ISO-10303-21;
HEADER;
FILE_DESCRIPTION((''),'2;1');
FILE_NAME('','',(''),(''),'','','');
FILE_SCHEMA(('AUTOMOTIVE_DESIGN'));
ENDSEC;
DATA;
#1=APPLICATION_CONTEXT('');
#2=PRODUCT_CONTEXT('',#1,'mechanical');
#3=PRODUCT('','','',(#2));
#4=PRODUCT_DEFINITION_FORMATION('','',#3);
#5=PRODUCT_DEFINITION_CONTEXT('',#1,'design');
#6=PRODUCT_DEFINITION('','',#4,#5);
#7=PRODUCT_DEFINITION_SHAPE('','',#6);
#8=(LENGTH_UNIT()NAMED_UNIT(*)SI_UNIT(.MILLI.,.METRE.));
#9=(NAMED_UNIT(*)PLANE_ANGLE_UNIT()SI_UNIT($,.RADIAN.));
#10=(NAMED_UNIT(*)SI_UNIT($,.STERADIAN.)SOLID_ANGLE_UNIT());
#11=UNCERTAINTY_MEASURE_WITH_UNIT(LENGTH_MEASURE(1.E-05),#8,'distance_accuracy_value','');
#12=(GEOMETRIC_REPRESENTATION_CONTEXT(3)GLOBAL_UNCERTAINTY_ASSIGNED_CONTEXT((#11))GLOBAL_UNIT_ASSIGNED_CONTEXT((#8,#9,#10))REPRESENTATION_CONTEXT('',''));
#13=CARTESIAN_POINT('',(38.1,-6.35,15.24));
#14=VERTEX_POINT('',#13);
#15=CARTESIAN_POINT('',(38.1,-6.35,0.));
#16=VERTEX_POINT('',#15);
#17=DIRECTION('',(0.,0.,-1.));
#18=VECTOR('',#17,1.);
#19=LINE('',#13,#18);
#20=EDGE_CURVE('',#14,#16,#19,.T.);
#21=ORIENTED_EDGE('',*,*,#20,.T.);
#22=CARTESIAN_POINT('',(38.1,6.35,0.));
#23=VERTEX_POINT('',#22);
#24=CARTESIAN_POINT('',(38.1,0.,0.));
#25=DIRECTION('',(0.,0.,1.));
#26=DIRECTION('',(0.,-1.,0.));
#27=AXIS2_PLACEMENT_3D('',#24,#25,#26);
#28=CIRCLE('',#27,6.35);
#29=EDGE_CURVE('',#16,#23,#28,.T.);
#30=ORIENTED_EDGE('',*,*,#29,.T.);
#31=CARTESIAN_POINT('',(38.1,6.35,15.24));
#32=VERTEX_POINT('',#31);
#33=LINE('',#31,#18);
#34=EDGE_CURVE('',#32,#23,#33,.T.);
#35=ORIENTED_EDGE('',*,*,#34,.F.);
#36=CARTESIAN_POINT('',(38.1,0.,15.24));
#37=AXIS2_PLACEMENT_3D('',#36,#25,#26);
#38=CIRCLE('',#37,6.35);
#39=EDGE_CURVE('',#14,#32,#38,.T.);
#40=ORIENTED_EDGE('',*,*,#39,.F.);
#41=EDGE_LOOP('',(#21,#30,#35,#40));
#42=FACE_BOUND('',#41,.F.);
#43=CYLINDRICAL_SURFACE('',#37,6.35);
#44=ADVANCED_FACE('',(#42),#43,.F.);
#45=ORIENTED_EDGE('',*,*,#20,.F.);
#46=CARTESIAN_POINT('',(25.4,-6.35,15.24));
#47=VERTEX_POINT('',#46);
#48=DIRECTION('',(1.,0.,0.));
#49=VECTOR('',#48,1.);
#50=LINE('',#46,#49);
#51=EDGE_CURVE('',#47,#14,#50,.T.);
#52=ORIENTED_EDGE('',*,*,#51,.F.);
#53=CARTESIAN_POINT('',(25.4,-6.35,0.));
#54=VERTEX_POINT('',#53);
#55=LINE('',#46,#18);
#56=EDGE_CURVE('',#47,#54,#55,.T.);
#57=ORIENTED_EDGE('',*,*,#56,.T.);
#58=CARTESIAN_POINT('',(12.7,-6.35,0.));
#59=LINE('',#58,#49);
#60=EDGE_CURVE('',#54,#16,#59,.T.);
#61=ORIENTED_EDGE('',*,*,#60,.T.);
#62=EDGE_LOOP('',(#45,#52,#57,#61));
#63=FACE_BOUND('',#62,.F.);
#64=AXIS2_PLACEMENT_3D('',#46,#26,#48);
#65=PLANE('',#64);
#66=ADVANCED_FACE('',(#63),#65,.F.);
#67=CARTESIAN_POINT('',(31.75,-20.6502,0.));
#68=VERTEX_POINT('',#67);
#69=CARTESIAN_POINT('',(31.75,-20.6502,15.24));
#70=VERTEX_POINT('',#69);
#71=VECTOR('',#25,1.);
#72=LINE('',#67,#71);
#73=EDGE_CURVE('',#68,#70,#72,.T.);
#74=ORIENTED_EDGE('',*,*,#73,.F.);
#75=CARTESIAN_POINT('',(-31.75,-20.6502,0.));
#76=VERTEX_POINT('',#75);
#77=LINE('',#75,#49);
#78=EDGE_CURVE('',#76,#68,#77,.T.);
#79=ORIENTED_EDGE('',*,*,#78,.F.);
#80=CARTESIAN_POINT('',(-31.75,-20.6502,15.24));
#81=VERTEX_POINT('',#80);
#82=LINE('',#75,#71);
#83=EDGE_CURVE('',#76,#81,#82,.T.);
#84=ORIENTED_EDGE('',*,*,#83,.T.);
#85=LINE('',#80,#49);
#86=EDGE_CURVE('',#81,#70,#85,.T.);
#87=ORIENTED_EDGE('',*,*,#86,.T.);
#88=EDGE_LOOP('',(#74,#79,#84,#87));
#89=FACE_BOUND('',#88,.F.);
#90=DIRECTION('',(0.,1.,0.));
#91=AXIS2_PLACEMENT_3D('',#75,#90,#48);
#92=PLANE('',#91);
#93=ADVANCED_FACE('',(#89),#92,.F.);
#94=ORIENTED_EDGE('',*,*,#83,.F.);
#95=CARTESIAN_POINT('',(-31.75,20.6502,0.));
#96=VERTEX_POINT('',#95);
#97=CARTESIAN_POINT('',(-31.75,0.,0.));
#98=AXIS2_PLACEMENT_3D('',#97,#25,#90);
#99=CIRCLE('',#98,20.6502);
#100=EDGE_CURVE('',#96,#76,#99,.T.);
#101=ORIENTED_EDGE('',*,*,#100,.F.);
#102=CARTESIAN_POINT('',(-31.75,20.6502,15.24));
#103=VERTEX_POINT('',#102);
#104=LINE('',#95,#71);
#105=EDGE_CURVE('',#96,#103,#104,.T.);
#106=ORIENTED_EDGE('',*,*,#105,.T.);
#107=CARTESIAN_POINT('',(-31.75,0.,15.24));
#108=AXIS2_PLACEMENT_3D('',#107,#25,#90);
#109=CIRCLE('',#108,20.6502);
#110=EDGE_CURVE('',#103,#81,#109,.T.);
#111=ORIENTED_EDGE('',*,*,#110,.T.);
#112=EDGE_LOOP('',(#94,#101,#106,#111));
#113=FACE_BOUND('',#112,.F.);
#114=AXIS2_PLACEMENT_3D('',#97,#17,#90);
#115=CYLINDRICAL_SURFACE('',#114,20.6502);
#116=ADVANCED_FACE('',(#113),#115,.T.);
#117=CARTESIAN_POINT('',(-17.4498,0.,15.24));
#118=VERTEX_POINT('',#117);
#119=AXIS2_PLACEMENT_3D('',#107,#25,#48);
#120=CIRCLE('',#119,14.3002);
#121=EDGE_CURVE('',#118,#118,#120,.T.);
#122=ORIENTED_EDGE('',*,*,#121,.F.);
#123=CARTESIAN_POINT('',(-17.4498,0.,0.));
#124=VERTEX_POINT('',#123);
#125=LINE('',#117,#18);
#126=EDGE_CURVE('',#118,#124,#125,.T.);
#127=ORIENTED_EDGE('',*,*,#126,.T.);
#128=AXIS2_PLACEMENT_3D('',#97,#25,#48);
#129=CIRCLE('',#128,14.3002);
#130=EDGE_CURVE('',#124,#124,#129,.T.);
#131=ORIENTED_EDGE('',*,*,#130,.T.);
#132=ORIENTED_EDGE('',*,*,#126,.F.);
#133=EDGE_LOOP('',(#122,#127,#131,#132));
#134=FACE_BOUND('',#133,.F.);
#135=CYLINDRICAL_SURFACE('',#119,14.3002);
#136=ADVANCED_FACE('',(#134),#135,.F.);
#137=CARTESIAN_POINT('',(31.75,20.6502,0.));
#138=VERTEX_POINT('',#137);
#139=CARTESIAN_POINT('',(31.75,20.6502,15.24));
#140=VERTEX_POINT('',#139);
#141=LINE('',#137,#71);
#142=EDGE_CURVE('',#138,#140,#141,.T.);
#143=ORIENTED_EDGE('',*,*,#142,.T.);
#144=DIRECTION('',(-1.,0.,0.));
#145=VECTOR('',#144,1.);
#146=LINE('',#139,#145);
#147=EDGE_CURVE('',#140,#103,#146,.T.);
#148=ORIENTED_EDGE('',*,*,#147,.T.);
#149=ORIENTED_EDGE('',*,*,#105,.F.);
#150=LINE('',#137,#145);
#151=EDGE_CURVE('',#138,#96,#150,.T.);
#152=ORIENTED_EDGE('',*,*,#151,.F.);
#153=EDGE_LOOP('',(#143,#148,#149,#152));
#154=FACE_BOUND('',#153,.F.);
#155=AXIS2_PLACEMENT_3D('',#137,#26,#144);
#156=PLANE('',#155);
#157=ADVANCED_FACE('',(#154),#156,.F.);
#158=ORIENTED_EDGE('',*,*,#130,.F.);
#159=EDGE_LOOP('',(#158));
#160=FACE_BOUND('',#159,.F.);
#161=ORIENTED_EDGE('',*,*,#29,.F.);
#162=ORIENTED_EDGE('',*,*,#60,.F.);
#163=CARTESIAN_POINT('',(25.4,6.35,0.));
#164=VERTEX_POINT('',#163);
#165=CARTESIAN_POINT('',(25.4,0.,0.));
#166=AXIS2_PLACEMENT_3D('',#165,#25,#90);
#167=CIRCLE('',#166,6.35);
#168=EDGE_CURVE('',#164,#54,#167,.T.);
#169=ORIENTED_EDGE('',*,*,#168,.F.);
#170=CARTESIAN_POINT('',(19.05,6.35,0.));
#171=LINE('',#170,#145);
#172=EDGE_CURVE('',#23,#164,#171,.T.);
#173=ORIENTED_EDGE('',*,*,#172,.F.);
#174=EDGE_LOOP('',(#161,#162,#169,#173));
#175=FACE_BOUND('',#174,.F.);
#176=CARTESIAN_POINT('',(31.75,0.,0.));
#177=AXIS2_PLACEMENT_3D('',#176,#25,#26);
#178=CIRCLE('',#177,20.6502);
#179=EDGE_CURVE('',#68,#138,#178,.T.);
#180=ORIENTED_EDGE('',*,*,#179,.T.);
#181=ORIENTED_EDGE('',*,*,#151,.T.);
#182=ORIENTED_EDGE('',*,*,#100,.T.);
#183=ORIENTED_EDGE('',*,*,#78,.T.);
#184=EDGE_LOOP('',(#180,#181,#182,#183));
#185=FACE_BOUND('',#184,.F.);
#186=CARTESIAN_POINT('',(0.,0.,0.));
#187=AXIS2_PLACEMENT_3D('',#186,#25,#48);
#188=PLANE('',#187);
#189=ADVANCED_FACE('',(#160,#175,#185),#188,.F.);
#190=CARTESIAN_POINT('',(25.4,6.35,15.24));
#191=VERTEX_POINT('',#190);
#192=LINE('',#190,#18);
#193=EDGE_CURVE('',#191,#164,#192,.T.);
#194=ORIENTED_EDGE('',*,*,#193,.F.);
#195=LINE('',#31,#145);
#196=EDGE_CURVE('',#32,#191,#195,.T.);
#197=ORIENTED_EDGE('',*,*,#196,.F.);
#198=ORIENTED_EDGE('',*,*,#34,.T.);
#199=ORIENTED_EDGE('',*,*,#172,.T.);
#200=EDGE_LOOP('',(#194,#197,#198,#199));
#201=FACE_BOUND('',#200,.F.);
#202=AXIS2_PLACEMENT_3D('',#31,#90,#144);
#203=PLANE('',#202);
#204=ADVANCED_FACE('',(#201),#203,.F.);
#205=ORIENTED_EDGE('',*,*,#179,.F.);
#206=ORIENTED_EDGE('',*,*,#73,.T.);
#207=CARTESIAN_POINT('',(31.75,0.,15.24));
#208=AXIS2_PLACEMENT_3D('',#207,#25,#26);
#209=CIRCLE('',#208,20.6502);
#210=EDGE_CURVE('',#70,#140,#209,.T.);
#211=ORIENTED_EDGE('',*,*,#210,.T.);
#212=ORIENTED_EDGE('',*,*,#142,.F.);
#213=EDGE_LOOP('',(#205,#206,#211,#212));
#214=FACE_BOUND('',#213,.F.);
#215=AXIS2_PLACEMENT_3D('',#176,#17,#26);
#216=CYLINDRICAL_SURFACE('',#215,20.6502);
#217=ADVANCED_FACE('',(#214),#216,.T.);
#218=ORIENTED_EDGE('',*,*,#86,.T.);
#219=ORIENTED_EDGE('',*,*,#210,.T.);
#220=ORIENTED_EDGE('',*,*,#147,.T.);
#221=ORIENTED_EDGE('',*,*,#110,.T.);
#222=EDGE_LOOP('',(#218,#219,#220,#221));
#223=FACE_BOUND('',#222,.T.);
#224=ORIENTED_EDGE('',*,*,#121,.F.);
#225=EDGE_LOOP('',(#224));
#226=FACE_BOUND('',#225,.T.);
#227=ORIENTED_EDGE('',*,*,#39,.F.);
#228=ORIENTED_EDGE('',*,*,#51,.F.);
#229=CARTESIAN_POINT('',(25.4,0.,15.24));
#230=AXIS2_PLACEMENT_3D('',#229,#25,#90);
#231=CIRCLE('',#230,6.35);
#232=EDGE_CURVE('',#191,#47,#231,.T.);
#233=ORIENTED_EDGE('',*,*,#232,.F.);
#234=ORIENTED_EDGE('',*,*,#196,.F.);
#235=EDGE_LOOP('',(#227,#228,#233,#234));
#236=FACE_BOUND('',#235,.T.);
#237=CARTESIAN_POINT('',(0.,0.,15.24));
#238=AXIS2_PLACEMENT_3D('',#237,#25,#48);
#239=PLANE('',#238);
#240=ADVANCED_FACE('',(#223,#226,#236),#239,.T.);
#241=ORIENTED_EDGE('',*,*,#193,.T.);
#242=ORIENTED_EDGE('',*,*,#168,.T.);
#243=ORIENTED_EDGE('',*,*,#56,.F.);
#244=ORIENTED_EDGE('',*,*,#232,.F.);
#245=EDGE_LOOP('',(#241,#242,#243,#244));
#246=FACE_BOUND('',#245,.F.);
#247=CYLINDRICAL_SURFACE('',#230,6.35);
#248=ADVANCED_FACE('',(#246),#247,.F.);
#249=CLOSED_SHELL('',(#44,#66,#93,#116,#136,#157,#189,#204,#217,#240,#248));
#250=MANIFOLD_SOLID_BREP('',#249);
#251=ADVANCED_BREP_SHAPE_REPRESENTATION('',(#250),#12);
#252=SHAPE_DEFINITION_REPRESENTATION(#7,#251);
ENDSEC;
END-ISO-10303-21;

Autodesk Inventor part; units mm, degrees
ref_plane "YZ Plane" through (0, 0, 0) normal (1, 0, 0) x (0, 1, 0)
ref_plane "XZ Plane" through (0, 0, 0) normal (0, 1, 0) x (-1, 0, 0)
ref_plane "XY Plane" through (0, 0, 0) normal (0, 0, 1) x (1, 0, 0)
sketch "Sketch1" plane through (0, 0, 0) normal (0, 0, 1) x (1, 0, 0)
  line L0 (31.75, 0) -> (-31.75, 0) construction
  line L1 (31.75, 20.6502) -> (-31.75, 20.6502)
  line L2 (-31.75, -20.6502) -> (31.75, -20.6502)
  arc A0 (31.75, -20.6502) -> (31.75, 20.6502) centre (31.75, 0) ccw
  arc A1 (-31.75, 20.6502) -> (-31.75, -20.6502) centre (-31.75, 0) ccw
  point P0 (0, 0)
  dimension "d0" = 20.6502
  dimension "d1" = 63.5
extrude "Extrusion1" add sketch "Sketch1" along normal blind 15.24
sketch "Sketch2" plane through (0, 0, 15.24) normal (0, 0, 1) x (1, 0, 0)
  arc A0 (-31.75, 20.6502) -> (-31.75, -20.6502) centre (-31.75, 0) ccw projected
  circle A1 centre (-31.75, 0) radius 14.3002
  line L0 (38.1, 0) -> (25.4, 0) construction
  line L1 (38.1, 6.35) -> (25.4, 6.35)
  line L2 (25.4, -6.35) -> (38.1, -6.35)
  arc A2 (38.1, -6.35) -> (38.1, 6.35) centre (38.1, 0) ccw
  arc A3 (25.4, 6.35) -> (25.4, -6.35) centre (25.4, 0) ccw
  point P0 (0, 0)
  point P1 (31.75, 0)
  dimension "d4" = 28.6004
  dimension "d5" = 12.7
  dimension "d6" = 6.35
  dimension "d7" = 25.4
extrude "Extrusion2" cut sketch "Sketch2" against normal through all
properties part number "ChainLinkEnd"
